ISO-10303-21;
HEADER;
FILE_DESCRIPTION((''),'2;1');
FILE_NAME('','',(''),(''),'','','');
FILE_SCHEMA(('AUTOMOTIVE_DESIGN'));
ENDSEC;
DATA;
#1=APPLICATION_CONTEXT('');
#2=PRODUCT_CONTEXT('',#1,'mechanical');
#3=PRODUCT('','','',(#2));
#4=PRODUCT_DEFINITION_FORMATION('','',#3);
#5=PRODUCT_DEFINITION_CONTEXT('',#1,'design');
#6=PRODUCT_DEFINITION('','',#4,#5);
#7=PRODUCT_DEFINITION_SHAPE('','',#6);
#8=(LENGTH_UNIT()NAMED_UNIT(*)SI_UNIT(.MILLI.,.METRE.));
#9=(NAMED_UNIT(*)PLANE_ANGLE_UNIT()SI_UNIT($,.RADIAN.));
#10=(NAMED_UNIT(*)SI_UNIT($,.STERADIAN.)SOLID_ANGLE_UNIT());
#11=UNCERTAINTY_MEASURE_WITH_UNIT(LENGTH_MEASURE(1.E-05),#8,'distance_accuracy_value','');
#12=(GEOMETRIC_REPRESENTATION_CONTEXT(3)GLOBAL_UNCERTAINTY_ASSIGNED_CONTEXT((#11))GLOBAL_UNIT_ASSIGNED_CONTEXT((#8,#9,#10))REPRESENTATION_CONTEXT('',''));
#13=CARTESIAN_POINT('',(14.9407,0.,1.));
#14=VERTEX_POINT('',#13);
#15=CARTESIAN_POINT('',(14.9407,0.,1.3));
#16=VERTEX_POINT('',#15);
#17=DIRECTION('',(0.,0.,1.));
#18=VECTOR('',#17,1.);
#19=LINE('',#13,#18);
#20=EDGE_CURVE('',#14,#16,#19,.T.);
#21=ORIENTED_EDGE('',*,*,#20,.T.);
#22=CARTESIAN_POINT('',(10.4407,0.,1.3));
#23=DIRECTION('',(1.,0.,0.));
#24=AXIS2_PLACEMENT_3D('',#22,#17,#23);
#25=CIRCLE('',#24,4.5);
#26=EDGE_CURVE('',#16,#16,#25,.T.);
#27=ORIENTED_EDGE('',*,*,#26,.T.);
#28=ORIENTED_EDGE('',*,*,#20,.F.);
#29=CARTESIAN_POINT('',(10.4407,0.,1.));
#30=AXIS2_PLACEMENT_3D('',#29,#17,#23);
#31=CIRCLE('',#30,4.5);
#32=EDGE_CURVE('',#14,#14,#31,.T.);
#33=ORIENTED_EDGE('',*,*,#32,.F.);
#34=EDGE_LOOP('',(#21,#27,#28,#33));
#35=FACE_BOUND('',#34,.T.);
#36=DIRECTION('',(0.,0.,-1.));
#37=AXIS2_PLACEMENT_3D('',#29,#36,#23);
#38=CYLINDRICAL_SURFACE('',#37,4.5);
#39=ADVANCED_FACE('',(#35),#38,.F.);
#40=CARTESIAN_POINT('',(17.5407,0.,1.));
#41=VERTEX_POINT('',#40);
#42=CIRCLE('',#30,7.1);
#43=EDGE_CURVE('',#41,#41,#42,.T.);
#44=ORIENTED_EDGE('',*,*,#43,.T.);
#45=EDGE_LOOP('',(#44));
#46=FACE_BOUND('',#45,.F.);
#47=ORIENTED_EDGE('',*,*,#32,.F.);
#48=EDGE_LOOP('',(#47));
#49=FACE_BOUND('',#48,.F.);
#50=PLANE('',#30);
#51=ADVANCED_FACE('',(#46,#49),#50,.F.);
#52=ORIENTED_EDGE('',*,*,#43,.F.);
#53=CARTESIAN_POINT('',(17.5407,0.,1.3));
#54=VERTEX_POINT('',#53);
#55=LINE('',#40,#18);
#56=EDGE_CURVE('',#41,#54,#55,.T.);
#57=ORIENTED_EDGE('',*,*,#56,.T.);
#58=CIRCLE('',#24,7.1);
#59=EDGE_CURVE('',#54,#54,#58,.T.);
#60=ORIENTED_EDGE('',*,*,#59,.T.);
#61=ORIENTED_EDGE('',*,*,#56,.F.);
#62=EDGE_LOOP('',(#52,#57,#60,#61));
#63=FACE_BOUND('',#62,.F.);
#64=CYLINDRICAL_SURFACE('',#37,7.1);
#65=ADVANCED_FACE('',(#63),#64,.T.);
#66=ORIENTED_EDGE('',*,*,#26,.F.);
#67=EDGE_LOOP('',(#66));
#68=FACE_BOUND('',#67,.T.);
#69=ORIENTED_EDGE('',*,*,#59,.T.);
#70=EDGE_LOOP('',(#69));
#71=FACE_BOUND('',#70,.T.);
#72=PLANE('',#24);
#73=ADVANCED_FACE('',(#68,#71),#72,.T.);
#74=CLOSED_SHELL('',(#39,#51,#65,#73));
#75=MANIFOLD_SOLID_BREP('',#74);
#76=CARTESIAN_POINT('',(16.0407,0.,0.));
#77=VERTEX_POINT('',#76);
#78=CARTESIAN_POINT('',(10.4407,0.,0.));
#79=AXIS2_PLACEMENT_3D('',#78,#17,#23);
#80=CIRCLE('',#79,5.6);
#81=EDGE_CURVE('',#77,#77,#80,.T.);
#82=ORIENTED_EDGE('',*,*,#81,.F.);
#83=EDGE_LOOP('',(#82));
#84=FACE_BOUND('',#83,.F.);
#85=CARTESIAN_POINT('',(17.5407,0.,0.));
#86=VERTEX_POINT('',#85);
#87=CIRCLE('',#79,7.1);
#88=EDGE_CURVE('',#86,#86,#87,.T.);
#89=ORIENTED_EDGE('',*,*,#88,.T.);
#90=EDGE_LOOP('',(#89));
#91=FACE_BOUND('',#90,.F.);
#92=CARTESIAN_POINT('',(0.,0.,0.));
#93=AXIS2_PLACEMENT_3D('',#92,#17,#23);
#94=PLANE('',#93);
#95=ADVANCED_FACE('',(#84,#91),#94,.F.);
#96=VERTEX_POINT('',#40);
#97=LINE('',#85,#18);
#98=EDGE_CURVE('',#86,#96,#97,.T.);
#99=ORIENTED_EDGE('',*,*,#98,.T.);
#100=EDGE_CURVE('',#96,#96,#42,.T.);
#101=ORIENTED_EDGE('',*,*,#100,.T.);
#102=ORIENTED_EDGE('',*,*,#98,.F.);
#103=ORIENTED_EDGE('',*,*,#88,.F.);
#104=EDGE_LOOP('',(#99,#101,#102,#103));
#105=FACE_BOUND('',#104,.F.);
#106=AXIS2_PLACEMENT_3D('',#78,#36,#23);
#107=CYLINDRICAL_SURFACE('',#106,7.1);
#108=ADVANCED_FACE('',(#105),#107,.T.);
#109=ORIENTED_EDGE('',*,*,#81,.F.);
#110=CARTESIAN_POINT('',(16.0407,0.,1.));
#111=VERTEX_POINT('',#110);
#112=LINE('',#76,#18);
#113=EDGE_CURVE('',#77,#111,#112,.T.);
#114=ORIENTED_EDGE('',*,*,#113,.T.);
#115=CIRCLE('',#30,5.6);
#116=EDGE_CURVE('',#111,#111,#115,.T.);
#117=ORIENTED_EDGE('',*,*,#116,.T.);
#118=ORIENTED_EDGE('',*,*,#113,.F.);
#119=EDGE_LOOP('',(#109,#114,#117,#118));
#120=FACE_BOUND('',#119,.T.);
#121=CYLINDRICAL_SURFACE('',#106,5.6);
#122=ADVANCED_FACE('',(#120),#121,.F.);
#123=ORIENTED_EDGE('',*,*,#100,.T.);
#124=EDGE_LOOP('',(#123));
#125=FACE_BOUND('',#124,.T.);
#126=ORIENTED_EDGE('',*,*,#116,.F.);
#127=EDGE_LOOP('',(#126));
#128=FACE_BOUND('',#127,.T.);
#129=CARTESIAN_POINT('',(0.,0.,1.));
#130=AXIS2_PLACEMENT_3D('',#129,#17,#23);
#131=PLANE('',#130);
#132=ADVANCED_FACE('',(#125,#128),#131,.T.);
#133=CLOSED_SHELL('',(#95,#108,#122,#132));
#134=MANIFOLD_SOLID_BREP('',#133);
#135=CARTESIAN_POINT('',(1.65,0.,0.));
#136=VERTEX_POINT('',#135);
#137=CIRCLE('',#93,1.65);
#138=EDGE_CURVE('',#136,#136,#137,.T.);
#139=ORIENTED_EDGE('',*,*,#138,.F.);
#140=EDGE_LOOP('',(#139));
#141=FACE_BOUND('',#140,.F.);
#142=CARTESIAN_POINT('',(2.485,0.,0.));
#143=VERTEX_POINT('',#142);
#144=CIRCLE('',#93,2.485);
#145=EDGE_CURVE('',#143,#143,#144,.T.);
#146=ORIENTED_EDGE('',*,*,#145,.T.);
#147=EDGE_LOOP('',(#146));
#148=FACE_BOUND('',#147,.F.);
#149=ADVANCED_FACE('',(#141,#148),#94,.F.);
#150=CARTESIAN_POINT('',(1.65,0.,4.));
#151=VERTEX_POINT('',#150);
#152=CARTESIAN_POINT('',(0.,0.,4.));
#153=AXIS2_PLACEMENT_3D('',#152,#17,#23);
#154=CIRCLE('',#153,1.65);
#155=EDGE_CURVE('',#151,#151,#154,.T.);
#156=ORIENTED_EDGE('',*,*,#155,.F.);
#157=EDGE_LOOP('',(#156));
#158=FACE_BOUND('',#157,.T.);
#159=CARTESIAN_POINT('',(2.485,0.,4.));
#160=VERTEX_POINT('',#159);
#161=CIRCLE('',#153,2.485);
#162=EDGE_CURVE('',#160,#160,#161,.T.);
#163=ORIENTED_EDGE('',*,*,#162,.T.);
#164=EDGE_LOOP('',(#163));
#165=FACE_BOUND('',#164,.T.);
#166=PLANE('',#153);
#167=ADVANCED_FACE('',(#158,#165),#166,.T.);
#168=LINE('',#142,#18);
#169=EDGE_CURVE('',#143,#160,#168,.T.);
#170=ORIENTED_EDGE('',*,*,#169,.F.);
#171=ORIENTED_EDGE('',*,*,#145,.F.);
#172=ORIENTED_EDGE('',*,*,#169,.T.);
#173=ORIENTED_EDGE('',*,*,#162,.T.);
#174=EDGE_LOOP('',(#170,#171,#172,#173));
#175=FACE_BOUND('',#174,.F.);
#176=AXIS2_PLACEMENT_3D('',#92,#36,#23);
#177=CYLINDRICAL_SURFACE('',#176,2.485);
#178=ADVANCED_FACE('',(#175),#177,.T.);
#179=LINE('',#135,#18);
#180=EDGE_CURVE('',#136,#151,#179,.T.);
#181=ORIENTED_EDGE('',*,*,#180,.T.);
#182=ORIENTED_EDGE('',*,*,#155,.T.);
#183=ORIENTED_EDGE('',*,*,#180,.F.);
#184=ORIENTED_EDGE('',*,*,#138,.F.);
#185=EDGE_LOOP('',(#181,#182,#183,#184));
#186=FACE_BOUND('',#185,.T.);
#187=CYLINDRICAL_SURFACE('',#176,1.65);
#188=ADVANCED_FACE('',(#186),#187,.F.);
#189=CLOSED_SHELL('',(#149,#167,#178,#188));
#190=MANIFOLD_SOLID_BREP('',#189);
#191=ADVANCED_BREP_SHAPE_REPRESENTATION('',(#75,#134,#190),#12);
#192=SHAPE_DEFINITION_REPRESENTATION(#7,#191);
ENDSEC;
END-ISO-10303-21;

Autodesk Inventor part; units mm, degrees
ref_plane "YZ Plane" through (0, 0, 0) normal (1, 0, 0) x (0, 1, 0)
ref_plane "XZ Plane" through (0, 0, 0) normal (0, 1, 0) x (-1, 0, 0)
ref_plane "XY Plane" through (0, 0, 0) normal (0, 0, 1) x (1, 0, 0)
sketch "Sketch1" plane through (0, 0, 0) normal (0, 0, 1) x (1, 0, 0)
  circle A0 centre (0, 0) radius 2.485
  circle A1 centre (0, 0) radius 1.65
  circle A2 centre (10.4407, 0) radius 5.6
  circle A3 centre (10.4407, 0) radius 7.1
  dimension "d0" = 4.97
  dimension "d3" = 3.3
  dimension "d4" = 11.2
  dimension "d5" = 1.5
extrude "Extrusion1" add sketch "Sketch1" along normal blind 4 contours A0
extrude "Extrusion2" add sketch "Sketch1" along normal blind 1 separate body contours A3
sketch "Sketch2" plane through (10.4407, 0, 1) normal (0, 0, 1) x (1, 0, 0)
  circle A0 centre (0, 0) radius 7.1 projected
  circle A1 centre (0, 0) radius 5.6 projected
  circle A2 centre (0, 0) radius 4.5
  point P0 (-10.4407, 0)
  dimension "d8" = 9
extrude "Extrusion4" add sketch "Sketch2" along normal blind 0.3 separate body contours A0 | A1
properties part number "Ball_Gearing_Workaroung"
